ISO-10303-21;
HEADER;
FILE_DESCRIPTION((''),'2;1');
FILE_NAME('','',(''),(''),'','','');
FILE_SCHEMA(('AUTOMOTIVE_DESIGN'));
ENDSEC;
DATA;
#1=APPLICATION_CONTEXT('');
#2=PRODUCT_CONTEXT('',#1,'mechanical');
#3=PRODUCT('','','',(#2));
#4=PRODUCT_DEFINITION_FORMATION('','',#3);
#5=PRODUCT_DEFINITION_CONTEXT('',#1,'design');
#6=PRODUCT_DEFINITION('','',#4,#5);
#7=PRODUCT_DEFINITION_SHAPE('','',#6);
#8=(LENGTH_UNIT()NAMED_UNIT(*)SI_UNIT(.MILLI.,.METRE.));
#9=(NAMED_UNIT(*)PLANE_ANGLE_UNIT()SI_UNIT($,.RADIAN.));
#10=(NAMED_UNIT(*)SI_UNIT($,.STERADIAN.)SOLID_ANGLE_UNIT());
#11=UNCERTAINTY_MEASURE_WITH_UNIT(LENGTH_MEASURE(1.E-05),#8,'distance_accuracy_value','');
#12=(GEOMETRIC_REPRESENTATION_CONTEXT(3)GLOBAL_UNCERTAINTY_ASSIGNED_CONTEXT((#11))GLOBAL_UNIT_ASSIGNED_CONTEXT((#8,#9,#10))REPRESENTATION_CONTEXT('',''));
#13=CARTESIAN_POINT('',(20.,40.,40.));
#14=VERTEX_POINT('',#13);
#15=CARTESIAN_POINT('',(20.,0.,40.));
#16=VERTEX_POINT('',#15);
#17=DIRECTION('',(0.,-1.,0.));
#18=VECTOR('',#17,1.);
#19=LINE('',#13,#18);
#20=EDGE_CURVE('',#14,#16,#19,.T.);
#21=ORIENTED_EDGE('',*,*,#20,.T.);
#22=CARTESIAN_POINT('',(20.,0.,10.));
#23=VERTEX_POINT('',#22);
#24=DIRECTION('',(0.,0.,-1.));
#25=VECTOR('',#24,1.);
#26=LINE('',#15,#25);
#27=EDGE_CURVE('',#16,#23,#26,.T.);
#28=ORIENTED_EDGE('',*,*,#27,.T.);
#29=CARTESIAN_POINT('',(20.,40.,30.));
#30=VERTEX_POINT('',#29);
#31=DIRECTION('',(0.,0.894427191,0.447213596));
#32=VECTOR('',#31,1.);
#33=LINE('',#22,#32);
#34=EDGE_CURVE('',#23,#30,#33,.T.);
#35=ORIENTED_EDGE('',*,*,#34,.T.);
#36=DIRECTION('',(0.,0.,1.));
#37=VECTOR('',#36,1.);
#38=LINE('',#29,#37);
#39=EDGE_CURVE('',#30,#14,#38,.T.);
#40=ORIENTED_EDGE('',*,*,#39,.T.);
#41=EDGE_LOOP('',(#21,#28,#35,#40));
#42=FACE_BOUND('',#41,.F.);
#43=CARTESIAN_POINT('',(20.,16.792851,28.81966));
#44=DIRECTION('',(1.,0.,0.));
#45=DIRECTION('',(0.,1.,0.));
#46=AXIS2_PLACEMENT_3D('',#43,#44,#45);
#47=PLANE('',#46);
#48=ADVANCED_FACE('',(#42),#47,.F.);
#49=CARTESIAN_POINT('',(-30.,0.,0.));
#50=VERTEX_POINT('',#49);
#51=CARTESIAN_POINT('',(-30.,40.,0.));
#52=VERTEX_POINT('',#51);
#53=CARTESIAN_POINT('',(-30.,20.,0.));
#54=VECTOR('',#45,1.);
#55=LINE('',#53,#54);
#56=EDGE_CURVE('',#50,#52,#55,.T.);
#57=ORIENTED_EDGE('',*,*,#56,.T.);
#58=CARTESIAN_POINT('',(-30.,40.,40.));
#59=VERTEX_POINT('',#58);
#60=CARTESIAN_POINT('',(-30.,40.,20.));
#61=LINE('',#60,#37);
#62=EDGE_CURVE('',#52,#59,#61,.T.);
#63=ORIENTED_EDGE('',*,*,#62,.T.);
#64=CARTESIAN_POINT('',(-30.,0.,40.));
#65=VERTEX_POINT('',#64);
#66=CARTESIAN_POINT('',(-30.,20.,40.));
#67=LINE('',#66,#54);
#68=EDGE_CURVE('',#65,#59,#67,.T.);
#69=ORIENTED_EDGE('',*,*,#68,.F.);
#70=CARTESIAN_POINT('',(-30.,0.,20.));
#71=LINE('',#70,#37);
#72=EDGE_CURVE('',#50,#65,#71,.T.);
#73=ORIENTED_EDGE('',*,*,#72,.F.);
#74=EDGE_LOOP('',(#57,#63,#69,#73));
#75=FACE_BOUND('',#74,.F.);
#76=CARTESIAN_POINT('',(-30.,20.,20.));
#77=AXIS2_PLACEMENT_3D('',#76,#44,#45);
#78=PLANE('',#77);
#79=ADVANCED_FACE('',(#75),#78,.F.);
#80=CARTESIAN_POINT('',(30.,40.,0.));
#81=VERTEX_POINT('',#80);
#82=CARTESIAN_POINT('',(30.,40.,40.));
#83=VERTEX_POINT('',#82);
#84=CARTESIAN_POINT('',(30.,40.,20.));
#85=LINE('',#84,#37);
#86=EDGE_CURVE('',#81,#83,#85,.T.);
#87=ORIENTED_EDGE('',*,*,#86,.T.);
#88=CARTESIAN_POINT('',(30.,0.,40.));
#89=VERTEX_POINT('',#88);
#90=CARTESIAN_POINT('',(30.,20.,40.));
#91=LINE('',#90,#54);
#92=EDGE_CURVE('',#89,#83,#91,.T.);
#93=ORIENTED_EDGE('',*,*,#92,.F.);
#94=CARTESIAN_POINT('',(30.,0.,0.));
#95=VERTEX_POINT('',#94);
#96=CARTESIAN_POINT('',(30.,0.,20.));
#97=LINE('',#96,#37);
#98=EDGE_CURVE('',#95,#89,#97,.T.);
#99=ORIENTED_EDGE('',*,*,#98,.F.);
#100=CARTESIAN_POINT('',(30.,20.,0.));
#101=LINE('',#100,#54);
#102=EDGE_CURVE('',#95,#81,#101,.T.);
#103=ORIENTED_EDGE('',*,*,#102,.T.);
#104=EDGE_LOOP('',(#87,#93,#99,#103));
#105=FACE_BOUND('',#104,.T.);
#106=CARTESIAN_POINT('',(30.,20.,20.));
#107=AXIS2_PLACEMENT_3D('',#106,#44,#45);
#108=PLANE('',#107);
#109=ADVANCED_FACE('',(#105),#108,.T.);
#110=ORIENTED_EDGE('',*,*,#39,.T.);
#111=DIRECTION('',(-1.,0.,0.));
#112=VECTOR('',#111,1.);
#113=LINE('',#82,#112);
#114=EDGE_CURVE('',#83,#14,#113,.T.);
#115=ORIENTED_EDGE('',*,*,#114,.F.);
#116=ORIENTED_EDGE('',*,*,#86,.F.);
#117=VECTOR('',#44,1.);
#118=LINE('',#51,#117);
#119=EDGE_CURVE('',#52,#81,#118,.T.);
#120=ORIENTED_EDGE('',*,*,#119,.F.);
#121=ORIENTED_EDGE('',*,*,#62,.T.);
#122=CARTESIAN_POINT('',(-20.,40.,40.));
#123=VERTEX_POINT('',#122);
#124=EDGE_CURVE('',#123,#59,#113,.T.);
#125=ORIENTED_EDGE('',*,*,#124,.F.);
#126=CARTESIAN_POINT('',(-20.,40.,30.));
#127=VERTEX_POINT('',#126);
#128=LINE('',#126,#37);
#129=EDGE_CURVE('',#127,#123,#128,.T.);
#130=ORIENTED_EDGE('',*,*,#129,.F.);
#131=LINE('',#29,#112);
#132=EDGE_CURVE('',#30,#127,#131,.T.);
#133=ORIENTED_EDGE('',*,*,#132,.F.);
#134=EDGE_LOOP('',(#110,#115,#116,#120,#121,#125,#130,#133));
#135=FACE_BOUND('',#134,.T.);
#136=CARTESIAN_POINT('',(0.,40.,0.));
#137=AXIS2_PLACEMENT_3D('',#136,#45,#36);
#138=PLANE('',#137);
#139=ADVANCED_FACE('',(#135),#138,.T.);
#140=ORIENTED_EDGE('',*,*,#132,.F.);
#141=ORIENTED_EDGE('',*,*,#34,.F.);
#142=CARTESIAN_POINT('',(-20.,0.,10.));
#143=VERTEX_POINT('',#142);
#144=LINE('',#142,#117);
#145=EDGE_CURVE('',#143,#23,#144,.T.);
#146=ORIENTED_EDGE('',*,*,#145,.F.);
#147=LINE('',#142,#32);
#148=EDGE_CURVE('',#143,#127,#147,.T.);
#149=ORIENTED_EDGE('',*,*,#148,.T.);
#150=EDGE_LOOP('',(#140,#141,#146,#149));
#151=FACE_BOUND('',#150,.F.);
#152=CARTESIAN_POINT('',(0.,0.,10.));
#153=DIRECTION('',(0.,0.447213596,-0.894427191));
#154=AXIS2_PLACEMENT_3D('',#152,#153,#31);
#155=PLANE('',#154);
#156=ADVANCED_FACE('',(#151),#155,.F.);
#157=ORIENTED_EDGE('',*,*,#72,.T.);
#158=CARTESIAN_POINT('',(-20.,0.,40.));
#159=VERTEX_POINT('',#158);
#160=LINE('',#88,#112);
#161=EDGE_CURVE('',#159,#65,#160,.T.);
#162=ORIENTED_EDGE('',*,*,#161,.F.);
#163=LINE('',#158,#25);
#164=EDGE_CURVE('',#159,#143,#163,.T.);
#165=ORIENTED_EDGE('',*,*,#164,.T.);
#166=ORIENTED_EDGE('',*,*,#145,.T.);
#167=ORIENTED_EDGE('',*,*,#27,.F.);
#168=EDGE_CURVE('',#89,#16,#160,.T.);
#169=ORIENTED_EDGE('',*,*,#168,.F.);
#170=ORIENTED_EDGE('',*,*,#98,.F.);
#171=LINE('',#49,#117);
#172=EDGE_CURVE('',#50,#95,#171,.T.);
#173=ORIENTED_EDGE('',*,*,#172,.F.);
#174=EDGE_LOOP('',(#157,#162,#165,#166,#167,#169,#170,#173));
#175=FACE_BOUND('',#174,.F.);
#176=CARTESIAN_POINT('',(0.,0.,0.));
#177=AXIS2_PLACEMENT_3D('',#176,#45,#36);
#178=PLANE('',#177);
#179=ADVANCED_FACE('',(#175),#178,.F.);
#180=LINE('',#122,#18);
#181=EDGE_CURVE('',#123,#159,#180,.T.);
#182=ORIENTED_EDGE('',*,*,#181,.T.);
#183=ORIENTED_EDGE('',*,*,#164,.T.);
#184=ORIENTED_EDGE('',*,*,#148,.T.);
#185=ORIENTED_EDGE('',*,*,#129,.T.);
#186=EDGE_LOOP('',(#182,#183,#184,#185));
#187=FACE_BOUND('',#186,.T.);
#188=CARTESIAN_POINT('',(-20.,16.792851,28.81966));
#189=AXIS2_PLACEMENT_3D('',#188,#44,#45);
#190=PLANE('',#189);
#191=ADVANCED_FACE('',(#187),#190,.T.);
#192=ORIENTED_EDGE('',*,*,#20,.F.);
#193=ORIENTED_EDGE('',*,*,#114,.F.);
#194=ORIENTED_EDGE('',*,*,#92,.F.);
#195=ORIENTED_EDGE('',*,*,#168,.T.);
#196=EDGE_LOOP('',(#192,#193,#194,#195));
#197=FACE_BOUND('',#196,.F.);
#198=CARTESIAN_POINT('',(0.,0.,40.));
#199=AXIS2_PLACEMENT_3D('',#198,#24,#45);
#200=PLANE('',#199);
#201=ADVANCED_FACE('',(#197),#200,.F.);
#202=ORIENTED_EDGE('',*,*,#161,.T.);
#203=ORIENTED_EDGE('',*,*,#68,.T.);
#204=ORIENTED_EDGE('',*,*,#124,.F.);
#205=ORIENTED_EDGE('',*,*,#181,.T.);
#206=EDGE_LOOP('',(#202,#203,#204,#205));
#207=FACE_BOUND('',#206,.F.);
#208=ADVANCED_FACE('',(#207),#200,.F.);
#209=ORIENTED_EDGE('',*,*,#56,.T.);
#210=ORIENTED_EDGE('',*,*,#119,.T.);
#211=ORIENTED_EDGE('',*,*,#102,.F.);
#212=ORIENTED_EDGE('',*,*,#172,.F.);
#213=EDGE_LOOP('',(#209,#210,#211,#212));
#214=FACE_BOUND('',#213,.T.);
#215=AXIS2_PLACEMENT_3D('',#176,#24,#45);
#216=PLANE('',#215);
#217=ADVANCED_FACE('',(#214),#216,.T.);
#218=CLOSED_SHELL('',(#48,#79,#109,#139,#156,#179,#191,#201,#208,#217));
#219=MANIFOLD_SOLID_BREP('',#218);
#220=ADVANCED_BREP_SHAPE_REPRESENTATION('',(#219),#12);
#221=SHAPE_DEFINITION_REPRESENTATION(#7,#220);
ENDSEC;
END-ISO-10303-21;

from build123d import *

# Parameters (mm, degrees)
F0_W     = 40
F0_H     = 40
F1_DEPTH = 30
F3_DEPTH = 20


with BuildPart() as f1:
    # F0 (on Right) → F1 (new body, symmetric)
    with BuildSketch(Plane.YZ):
        with Locations((20, 20)):
            Rectangle(F0_W, F0_H)
    extrude(amount=F1_DEPTH, both=True)

    # F2 (on Right) → F3 (cut, symmetric)
    with BuildSketch(Plane.YZ):
        Polygon((40, 40), (0, 40), (0, 10), (40, 30), align=None)
    extrude(amount=F3_DEPTH, both=True, mode=Mode.SUBTRACT)


solid = f1.part
